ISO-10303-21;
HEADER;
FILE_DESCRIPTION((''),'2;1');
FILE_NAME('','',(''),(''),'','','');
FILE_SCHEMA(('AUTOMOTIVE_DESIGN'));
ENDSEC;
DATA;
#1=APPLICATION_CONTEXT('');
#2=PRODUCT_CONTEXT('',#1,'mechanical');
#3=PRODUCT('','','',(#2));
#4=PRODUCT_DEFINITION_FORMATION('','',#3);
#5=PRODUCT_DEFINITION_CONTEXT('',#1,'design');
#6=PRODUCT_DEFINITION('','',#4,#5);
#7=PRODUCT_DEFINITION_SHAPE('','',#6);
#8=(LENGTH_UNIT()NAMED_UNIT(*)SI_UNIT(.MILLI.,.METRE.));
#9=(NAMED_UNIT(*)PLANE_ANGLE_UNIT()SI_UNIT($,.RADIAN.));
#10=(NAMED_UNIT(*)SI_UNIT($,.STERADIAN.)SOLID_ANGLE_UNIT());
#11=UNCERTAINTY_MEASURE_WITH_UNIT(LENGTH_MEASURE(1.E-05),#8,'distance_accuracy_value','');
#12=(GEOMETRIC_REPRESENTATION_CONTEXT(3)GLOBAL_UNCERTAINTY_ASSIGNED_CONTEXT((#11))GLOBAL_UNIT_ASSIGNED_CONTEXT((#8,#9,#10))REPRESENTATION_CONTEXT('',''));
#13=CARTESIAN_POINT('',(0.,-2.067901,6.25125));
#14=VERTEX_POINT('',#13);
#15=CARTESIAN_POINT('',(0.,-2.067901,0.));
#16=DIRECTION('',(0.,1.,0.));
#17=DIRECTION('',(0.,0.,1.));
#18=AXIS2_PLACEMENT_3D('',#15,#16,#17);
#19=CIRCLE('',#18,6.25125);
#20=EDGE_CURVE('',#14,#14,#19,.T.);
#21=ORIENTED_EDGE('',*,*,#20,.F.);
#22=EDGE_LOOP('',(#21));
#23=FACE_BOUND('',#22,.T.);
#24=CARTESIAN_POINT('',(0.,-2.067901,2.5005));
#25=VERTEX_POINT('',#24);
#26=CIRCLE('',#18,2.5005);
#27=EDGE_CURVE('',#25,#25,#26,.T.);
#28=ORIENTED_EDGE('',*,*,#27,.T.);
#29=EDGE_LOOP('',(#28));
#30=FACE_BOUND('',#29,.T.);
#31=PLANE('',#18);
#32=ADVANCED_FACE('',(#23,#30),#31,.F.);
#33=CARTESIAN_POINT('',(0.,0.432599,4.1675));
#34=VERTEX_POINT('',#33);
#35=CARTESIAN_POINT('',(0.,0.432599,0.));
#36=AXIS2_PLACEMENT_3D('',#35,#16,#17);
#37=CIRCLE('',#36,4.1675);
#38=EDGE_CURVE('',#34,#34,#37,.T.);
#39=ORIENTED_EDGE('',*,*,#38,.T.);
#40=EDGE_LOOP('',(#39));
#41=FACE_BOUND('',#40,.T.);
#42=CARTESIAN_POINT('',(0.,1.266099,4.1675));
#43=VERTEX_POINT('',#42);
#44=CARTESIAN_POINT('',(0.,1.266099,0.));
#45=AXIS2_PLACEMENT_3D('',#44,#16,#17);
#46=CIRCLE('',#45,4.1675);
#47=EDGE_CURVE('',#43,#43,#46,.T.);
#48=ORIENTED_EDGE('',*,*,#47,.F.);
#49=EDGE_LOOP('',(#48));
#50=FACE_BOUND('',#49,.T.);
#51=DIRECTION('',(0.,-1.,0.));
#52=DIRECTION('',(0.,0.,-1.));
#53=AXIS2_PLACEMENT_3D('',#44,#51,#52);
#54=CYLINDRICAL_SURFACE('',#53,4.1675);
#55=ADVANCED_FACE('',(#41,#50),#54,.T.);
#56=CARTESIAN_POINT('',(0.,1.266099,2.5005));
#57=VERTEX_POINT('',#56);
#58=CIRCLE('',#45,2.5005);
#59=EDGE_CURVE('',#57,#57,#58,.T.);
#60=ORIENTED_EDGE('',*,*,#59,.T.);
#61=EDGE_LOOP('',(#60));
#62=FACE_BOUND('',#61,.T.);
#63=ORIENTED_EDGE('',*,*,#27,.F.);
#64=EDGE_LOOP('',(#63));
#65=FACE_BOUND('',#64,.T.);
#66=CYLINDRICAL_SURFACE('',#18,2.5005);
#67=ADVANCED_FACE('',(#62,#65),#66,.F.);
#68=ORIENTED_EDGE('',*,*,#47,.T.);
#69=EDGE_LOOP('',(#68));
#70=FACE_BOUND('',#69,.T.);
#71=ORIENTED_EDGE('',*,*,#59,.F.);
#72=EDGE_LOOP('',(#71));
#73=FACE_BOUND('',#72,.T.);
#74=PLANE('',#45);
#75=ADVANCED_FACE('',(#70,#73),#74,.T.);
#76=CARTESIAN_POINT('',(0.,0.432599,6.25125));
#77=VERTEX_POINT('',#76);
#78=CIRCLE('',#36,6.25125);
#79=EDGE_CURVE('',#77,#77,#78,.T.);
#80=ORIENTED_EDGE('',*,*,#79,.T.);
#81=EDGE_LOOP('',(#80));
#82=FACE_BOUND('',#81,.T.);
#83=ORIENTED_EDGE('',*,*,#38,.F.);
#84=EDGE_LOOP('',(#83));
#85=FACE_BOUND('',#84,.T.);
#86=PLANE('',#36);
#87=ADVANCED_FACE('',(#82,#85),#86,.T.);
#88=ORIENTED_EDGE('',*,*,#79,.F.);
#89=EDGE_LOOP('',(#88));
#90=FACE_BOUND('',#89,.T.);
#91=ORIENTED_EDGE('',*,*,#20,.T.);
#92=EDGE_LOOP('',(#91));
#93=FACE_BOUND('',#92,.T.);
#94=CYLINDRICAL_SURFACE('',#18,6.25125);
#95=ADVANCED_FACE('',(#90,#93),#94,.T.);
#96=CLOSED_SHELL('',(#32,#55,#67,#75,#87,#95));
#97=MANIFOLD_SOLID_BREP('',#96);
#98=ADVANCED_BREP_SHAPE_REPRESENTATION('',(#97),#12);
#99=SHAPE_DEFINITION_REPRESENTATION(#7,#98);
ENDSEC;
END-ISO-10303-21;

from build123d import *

# Parameters (mm, degrees)
SKETCH1_R           = 3.75
SKETCH1_R_2         = 1.5
BOSS_EXTRUDE1_DEPTH = 1.5
BOSS_EXTRUDE2_START = 0.5
SKETCH1_3_R         = 2.5
SKETCH1_3_R_2       = 1.5
BOSS_EXTRUDE2_DEPTH = 0.5
SCALE1_SCALE        = 1.667


with BuildPart() as part:
    # Sketch1 → Boss-Extrude1 (new body)
    with BuildSketch(Plane(origin=(0, 0, 0), x_dir=(1, 0, 0), z_dir=(0, 1, 0))):
        Circle(SKETCH1_R)
        Circle(SKETCH1_R_2, mode=Mode.SUBTRACT)
    extrude(amount=-BOSS_EXTRUDE1_DEPTH)

    # Sketch1<3> → Boss-Extrude2 (add)
    with BuildSketch(Plane(origin=(0, 0, 0), x_dir=(1, 0, 0), z_dir=(0, 1, 0)).offset(BOSS_EXTRUDE2_START)):
        Circle(SKETCH1_3_R)
        Circle(SKETCH1_3_R_2, mode=Mode.SUBTRACT)
    extrude(amount=-BOSS_EXTRUDE2_DEPTH)


with BuildPart() as part_1:
    # Scale1: scaled about (0, -0.648573693, 0)
    add(part.part.scale(SCALE1_SCALE).moved(Location((0, 0.432598653, 0))))


solid = part_1.part
